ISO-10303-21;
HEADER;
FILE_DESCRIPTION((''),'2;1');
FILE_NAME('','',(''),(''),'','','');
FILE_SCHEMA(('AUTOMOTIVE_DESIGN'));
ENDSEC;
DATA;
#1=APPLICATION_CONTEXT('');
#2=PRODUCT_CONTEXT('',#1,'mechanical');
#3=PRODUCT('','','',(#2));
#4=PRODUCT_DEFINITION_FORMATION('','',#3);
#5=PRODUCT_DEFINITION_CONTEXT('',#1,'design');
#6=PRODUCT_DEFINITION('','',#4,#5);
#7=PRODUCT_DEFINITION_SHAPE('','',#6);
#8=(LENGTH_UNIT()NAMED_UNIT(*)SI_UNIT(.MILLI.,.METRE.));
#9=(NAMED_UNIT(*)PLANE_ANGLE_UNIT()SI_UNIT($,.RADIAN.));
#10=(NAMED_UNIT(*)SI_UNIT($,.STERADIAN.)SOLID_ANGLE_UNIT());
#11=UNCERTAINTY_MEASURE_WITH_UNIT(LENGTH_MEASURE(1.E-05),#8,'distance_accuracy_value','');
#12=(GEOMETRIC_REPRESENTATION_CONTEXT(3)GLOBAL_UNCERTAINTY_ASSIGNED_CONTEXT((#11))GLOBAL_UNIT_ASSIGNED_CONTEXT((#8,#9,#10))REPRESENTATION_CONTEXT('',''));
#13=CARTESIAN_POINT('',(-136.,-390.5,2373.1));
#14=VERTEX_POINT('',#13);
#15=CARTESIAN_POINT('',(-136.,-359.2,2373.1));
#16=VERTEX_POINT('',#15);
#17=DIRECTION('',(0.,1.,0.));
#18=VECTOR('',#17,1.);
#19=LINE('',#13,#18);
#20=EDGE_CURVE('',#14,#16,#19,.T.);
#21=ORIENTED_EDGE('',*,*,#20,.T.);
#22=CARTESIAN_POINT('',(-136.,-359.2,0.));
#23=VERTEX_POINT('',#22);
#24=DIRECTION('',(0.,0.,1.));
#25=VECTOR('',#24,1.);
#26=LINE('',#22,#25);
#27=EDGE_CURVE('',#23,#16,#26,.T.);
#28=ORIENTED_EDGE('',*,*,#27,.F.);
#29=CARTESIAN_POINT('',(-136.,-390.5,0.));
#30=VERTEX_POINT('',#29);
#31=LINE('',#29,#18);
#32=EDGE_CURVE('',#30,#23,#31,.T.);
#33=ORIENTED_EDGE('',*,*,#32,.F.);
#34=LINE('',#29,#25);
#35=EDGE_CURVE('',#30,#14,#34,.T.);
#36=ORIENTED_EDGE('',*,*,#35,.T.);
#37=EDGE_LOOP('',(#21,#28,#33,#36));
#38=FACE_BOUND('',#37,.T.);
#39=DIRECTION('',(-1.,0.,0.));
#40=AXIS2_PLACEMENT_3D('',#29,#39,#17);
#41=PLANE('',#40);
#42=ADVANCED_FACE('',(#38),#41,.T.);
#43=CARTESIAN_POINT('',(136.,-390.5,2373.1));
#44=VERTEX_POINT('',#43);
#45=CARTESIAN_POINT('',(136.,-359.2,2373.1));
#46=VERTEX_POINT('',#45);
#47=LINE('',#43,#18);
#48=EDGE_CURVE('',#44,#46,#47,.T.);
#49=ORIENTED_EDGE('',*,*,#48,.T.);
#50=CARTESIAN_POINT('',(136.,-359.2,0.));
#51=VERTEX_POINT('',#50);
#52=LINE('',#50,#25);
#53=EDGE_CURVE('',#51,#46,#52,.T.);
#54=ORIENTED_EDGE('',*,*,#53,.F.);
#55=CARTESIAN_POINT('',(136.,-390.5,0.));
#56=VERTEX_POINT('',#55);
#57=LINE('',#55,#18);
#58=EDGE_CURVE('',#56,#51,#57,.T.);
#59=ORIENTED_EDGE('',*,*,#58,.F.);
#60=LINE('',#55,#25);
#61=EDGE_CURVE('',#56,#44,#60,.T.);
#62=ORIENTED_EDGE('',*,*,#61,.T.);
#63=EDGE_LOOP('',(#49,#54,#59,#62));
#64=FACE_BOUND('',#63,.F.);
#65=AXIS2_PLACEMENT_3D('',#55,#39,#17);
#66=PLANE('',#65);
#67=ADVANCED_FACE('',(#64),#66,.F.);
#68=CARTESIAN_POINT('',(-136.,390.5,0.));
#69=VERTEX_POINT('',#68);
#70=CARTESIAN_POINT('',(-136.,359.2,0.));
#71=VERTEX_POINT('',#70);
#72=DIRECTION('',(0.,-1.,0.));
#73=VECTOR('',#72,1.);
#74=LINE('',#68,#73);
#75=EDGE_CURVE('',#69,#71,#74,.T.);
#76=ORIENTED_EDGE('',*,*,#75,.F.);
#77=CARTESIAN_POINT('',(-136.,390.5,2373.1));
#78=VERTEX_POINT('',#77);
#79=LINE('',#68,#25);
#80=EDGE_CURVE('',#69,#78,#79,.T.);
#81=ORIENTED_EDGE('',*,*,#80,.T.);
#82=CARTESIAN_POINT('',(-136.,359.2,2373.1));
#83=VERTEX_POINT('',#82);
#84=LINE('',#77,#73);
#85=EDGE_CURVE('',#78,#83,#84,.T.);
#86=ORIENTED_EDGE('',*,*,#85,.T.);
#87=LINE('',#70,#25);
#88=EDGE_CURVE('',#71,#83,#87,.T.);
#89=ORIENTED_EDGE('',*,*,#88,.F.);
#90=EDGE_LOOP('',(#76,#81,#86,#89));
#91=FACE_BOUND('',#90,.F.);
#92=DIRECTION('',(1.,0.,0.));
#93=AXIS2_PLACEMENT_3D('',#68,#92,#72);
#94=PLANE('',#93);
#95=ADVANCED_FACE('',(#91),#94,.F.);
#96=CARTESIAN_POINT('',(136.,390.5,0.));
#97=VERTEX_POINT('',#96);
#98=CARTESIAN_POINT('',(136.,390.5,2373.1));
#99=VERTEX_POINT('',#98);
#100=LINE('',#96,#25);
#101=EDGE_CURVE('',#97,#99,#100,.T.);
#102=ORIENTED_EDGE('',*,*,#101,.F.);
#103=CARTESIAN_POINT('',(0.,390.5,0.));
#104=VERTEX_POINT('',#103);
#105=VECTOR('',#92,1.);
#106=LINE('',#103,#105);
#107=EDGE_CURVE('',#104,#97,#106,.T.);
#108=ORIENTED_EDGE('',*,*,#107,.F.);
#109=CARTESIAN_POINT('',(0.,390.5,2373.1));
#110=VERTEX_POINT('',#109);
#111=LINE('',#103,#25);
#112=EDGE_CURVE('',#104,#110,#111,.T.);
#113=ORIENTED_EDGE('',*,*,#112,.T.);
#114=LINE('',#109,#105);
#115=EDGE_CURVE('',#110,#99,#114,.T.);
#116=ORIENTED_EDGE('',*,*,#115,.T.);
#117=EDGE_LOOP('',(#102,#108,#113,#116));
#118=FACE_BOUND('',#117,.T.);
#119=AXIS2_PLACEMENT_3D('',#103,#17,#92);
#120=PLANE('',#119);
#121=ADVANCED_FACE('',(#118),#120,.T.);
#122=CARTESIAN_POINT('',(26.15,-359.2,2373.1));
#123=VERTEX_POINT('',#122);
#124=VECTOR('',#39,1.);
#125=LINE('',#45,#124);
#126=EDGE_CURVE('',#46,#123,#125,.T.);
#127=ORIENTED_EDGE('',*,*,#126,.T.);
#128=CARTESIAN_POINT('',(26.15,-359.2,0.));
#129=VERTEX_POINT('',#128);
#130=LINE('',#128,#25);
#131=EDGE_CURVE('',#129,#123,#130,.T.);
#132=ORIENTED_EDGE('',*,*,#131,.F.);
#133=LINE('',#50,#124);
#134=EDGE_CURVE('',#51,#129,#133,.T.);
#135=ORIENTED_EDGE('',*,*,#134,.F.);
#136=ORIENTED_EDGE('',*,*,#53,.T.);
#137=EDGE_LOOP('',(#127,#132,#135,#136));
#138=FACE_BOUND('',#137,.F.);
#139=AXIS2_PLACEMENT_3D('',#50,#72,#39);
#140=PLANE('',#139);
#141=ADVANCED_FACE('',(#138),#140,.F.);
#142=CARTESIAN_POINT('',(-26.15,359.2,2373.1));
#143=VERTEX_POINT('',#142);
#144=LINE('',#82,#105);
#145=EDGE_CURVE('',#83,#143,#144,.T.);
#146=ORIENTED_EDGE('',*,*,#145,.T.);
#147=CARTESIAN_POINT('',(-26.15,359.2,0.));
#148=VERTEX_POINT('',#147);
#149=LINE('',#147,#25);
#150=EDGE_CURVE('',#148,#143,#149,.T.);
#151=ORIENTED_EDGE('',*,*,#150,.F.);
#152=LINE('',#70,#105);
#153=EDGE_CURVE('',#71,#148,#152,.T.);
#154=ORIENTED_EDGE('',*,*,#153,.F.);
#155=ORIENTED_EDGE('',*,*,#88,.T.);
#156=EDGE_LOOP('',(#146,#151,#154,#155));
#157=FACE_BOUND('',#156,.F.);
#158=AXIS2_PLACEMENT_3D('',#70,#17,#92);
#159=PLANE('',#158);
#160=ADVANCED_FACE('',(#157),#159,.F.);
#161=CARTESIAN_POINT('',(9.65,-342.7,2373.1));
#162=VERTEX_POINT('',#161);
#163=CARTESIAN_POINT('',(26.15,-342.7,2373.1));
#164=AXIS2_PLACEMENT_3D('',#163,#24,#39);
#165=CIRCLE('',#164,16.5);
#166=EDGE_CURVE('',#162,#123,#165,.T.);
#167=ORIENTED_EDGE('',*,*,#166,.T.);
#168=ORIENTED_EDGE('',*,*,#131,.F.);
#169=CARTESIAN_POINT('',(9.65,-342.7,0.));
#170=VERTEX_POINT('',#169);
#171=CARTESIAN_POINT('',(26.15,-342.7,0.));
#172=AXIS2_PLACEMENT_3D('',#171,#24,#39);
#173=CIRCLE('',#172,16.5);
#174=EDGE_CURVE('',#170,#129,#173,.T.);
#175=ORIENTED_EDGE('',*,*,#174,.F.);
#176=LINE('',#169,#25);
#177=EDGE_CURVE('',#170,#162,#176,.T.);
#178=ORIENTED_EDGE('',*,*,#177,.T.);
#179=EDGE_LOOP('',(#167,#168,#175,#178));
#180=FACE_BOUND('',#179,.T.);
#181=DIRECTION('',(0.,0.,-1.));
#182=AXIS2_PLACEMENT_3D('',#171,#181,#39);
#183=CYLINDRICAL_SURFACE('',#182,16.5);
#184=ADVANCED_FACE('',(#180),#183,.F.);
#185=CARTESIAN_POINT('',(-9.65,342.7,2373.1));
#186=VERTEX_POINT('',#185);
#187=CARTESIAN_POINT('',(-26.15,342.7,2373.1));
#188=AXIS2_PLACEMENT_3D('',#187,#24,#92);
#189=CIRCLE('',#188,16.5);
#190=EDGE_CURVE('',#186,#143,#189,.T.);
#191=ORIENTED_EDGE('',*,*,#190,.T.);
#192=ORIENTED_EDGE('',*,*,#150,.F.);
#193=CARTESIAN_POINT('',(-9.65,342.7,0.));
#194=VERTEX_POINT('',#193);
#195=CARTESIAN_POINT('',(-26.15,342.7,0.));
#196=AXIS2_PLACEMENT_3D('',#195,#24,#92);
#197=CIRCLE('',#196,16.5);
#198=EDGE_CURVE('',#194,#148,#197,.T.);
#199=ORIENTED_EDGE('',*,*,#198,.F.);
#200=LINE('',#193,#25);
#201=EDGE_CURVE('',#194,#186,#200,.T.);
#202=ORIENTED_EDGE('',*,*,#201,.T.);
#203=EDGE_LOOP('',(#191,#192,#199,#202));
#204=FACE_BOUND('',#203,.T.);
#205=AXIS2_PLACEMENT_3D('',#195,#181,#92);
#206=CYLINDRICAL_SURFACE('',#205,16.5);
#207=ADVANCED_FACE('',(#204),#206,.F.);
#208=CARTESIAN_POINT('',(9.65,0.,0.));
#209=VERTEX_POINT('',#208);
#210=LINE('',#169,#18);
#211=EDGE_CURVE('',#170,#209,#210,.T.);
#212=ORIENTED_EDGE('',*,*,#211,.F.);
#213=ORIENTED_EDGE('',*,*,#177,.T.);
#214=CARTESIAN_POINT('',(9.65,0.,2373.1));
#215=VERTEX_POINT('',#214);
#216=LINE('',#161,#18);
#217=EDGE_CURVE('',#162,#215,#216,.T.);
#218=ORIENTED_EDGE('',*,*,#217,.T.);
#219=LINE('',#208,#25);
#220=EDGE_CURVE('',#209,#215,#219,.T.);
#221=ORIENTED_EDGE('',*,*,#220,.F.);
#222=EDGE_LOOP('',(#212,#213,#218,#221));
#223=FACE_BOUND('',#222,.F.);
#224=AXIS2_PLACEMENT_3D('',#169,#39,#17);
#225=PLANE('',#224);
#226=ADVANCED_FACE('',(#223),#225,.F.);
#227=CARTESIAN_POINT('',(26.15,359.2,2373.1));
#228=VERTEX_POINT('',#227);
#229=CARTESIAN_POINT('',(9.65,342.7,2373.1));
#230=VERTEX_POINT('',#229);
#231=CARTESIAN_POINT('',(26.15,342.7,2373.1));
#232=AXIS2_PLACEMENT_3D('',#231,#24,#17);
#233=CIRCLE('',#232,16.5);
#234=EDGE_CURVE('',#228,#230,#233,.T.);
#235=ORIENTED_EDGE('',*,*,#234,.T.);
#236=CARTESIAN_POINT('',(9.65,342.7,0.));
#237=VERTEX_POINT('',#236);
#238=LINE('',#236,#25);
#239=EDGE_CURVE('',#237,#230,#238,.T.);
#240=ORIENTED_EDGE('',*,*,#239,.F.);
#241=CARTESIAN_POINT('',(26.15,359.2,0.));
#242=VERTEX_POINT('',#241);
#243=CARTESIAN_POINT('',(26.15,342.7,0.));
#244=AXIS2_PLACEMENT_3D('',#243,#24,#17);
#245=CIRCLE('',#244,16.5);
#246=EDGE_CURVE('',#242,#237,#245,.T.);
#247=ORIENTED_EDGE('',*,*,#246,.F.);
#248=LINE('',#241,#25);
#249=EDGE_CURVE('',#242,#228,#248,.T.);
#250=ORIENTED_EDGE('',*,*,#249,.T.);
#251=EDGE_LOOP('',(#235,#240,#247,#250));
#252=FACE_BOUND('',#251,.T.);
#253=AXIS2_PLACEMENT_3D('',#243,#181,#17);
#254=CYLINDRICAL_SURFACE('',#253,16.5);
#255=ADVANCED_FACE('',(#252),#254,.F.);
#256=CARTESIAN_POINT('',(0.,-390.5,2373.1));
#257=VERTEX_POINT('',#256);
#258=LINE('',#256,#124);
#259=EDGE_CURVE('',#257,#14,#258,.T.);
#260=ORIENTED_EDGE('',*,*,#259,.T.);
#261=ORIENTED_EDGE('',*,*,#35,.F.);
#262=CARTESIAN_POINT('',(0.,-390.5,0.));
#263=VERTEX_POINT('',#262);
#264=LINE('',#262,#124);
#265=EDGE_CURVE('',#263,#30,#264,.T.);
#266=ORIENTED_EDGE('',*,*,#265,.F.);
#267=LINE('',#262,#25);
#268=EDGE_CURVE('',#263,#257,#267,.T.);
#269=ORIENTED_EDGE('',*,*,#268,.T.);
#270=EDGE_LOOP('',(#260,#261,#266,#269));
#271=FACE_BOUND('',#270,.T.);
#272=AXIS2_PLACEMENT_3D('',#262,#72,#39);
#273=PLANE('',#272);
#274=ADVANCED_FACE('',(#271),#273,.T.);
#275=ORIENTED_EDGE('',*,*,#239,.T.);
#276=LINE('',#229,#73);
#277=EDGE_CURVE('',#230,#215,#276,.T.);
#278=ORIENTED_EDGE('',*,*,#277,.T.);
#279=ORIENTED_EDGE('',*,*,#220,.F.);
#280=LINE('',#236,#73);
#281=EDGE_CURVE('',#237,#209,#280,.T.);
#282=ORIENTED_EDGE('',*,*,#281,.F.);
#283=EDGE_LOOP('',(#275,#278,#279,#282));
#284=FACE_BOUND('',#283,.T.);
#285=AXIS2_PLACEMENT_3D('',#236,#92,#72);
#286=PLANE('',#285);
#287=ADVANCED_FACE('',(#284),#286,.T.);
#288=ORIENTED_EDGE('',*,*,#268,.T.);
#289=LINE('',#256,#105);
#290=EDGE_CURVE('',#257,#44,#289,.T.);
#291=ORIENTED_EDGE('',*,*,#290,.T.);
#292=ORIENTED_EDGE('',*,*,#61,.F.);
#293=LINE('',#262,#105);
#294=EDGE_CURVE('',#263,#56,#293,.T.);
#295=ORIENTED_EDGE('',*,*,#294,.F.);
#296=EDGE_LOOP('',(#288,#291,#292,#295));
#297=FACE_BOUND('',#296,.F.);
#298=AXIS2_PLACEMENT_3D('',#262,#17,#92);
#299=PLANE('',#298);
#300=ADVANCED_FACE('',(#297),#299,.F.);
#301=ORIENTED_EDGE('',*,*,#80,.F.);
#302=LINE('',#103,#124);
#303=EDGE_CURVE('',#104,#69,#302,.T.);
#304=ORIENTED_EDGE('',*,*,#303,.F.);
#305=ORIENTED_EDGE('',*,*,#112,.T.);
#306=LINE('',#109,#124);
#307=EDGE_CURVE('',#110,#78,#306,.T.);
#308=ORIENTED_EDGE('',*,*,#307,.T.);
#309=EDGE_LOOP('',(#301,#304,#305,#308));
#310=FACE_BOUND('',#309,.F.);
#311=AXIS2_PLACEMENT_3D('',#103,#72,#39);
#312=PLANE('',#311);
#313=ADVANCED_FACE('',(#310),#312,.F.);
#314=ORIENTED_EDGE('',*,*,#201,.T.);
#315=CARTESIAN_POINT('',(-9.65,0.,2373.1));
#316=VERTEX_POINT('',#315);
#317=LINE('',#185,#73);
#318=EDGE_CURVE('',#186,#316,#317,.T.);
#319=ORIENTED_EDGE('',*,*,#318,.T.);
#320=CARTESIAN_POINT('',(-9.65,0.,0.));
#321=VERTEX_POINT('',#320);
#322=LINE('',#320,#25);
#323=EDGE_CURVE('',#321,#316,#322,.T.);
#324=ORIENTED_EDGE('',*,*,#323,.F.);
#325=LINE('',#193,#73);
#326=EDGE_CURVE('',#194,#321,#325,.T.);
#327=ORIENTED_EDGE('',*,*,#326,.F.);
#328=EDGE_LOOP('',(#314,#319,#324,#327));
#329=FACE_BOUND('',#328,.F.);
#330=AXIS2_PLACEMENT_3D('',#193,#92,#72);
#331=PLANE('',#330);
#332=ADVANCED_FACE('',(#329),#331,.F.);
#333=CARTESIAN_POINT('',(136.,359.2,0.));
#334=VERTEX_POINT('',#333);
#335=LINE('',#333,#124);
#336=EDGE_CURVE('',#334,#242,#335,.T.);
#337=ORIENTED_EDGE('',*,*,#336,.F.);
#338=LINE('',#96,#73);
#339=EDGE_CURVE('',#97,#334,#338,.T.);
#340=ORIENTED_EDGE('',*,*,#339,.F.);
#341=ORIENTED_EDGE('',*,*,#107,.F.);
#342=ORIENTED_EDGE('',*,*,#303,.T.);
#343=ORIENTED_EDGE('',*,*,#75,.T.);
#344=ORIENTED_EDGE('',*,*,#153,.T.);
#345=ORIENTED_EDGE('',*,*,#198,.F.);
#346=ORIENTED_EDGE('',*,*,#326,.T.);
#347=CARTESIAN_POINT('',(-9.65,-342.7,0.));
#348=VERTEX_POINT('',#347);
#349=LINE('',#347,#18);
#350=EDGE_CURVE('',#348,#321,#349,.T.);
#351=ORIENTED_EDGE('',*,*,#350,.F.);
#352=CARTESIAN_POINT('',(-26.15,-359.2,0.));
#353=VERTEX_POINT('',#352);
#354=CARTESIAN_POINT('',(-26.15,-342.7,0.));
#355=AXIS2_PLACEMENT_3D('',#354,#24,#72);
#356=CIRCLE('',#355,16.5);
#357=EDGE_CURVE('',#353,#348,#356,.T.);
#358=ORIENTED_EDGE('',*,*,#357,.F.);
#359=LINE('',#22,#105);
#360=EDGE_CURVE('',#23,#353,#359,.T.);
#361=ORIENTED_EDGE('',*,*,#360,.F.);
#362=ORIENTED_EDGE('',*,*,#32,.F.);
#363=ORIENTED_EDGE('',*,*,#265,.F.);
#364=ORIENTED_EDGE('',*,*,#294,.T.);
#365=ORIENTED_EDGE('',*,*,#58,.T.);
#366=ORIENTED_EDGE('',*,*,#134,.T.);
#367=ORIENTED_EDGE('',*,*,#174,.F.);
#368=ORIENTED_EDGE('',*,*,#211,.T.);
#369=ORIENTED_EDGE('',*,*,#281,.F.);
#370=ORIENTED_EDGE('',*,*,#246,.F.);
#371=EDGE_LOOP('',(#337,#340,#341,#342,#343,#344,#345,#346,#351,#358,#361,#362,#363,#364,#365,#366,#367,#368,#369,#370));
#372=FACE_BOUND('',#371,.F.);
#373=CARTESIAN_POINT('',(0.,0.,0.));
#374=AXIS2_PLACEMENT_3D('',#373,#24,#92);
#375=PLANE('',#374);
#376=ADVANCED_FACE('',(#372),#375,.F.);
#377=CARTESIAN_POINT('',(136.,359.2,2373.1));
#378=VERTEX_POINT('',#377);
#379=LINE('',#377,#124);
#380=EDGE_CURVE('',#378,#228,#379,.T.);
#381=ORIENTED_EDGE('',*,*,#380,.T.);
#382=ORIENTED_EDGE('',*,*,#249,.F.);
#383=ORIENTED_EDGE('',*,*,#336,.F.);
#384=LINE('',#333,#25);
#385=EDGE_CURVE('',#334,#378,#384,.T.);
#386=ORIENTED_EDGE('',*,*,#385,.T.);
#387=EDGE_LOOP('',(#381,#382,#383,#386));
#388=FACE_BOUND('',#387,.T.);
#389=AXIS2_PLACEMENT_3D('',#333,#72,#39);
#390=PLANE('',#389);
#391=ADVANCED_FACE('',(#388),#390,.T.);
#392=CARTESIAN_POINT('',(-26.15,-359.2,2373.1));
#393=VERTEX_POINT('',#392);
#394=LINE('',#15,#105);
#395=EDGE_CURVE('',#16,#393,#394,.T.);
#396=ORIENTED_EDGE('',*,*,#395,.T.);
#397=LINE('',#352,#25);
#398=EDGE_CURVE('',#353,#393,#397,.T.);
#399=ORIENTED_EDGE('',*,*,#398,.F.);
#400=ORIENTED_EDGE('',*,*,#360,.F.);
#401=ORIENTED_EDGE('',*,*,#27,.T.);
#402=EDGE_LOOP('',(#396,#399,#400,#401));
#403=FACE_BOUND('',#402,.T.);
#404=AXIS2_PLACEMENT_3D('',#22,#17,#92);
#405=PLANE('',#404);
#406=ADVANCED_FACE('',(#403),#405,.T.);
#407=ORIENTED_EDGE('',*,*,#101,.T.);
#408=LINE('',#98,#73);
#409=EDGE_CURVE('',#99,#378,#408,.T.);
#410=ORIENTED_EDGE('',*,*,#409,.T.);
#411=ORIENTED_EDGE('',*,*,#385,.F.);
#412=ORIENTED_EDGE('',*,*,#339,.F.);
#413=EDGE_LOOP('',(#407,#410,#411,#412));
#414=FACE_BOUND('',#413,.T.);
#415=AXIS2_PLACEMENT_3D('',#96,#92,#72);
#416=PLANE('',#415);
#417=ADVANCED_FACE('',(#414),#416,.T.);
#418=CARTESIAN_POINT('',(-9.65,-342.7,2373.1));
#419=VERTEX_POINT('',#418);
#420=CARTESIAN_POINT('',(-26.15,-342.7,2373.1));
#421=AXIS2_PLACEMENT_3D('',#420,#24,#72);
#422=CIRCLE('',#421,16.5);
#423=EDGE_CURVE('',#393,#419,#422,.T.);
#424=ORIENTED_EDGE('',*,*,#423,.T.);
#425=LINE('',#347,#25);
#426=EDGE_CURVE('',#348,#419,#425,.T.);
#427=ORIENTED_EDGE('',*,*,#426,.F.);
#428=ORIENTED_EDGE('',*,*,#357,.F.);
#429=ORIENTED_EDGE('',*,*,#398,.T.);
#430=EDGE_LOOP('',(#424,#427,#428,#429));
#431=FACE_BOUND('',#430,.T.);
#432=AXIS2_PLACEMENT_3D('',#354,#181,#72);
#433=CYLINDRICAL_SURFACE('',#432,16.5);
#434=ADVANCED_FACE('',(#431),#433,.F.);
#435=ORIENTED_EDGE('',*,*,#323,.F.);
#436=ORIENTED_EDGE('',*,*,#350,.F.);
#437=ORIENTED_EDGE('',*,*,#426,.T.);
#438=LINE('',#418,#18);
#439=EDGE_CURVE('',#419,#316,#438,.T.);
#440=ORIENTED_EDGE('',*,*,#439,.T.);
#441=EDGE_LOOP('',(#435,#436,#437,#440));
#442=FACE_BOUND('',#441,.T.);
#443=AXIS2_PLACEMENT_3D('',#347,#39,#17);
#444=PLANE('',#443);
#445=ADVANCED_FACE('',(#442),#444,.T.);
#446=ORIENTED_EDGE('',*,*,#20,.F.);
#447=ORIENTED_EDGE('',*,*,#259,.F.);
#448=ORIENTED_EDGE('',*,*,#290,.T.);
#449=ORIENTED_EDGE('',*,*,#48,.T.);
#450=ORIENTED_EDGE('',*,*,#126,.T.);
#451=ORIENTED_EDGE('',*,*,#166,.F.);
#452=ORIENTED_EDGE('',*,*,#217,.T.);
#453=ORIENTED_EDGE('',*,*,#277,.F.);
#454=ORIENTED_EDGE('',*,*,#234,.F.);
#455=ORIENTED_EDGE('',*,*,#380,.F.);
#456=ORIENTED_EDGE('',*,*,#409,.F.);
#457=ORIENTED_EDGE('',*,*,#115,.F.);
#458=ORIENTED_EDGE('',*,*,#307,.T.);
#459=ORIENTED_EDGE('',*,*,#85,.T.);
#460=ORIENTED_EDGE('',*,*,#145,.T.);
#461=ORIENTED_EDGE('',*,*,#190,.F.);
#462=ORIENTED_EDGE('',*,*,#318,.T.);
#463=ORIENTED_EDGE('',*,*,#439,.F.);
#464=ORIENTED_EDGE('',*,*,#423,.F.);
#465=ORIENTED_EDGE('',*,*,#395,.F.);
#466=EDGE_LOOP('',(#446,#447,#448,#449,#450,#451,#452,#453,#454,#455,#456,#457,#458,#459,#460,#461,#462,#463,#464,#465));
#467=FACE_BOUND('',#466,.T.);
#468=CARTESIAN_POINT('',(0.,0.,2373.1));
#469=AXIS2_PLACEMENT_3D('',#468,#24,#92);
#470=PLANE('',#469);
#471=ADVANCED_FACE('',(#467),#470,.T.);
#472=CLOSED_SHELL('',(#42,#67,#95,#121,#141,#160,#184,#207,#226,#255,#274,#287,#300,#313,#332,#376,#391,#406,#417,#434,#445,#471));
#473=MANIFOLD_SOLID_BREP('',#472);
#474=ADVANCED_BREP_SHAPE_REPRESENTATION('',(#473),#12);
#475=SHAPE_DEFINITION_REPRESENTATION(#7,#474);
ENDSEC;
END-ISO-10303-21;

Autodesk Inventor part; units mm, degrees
ref_plane "YZ Plane" through (0, 0, 0) normal (1, 0, 0) x (0, 1, 0)
ref_plane "Start plane" through (0, 0, 0) normal (0, 0, 1) x (1, 0, 0)
ref_plane "End plane" through (0, 0, 2373.1) normal (0, 0, 1) x (1, 0, 0)
sketch "Sketch" plane through (0, 0, 0) normal (0, 0, 1) x (1, 0, 0)
  line L0 (-136, -390.5) -> (-136, -359.2)
  line L1 (-136, -359.2) -> (-26.15, -359.2)
  line L2 (-9.65, -342.7) -> (-9.65, 0)
  line L3 (-9.65, 0) -> (0, 0) construction
  line L4 (0, 0) -> (0, -390.5) construction
  line L5 (0, -390.5) -> (-136, -390.5)
  line L6 (-60, 0) -> (80, 0) construction
  line L7 (0, -60) -> (0, 80) construction
  line L8 (136, -390.5) -> (136, -359.2)
  line L9 (136, -359.2) -> (26.15, -359.2)
  line L10 (9.65, -342.7) -> (9.65, 0)
  line L11 (9.65, 0) -> (0, 0) construction
  line L12 (0, -390.5) -> (136, -390.5)
  line L13 (-136, 390.5) -> (-136, 359.2)
  line L14 (-136, 359.2) -> (-26.15, 359.2)
  line L15 (-9.65, 342.7) -> (-9.65, 0)
  line L16 (0, 390.5) -> (-136, 390.5)
  line L17 (136, 390.5) -> (136, 359.2)
  line L18 (136, 359.2) -> (26.15, 359.2)
  line L19 (0, 390.5) -> (136, 390.5)
  line L20 (9.65, 342.7) -> (9.65, 0)
  arc A0 (-9.65, 342.7) -> (-26.15, 359.2) centre (-26.15, 342.7) ccw
  arc A1 (26.15, 359.2) -> (9.65, 342.7) centre (26.15, 342.7) ccw
  arc A2 (9.65, -342.7) -> (26.15, -359.2) centre (26.15, -342.7) ccw
  arc A3 (-26.15, -359.2) -> (-9.65, -342.7) centre (-26.15, -342.7) ccw
  line L21 (0, 108) -> (0, -88) construction
  line L22 (-88, 0) -> (108, 0) construction
  point P0 (-9.65, -359.2)
  point P1 (9.65, -359.2)
  point P2 (-9.65, 359.2)
  point P3 (9.65, 359.2)
  dimension "d1" = 390.5
  dimension "d2" = 31.3
  dimension "d3" = 136
  dimension "d4" = 9.65
  dimension "d10" = 16.5
extrude "Body" add sketch "Sketch" along normal up to surface (2373.1 mm away) from surface at 0
sketch "Sketch4" plane through (0, 0, 0) normal (0, 0, 1) x (1, 0, 0)
  line L0 (0, 0) -> (10, 0)
ref_plane "Work Plane3" through (0, 0, 0) normal (0, -1, 0) x (1, 0, 0)
sketch "Sketch5" plane through (0, 0, 0) normal (0, -1, 0) x (1, 0, 0)
  line L0 (-2, 0) -> (12, 0) projected
  line L1 (-2, 2373.1) -> (12, 2373.1) projected
  dimension "d14" = 2373.1
equation "\"d1\" = 0.5 * G_H"
equation "\"d2\" = G_T1"
equation "\"d3\" = 0.5 * G_W"
equation "\"d4\" = 0.5 * G_T"
equation "\"d10\" = G_IR"
equation "\"d5\" = G_L"
equation "\"G_W\" = 272"
equation "\"G_H\" = 781"
equation "\"G_T\" = 19.3"
equation "\"G_T1\" = 31.3"
equation "\"G_IR\" = 16.5"
equation "\"G_L\" = d14"
equation "\"G_OFFSET_START\" = 0"
equation "\"G_OFFSET_END\" = 0"
equation "\"d12\" = G_OFFSET_END + B_L"
equation "\"B_L\" = 2373.1"
properties part number "AS 3679-1990 - 760 UB - 244 - 2373.1" material "Steel, Mild"
